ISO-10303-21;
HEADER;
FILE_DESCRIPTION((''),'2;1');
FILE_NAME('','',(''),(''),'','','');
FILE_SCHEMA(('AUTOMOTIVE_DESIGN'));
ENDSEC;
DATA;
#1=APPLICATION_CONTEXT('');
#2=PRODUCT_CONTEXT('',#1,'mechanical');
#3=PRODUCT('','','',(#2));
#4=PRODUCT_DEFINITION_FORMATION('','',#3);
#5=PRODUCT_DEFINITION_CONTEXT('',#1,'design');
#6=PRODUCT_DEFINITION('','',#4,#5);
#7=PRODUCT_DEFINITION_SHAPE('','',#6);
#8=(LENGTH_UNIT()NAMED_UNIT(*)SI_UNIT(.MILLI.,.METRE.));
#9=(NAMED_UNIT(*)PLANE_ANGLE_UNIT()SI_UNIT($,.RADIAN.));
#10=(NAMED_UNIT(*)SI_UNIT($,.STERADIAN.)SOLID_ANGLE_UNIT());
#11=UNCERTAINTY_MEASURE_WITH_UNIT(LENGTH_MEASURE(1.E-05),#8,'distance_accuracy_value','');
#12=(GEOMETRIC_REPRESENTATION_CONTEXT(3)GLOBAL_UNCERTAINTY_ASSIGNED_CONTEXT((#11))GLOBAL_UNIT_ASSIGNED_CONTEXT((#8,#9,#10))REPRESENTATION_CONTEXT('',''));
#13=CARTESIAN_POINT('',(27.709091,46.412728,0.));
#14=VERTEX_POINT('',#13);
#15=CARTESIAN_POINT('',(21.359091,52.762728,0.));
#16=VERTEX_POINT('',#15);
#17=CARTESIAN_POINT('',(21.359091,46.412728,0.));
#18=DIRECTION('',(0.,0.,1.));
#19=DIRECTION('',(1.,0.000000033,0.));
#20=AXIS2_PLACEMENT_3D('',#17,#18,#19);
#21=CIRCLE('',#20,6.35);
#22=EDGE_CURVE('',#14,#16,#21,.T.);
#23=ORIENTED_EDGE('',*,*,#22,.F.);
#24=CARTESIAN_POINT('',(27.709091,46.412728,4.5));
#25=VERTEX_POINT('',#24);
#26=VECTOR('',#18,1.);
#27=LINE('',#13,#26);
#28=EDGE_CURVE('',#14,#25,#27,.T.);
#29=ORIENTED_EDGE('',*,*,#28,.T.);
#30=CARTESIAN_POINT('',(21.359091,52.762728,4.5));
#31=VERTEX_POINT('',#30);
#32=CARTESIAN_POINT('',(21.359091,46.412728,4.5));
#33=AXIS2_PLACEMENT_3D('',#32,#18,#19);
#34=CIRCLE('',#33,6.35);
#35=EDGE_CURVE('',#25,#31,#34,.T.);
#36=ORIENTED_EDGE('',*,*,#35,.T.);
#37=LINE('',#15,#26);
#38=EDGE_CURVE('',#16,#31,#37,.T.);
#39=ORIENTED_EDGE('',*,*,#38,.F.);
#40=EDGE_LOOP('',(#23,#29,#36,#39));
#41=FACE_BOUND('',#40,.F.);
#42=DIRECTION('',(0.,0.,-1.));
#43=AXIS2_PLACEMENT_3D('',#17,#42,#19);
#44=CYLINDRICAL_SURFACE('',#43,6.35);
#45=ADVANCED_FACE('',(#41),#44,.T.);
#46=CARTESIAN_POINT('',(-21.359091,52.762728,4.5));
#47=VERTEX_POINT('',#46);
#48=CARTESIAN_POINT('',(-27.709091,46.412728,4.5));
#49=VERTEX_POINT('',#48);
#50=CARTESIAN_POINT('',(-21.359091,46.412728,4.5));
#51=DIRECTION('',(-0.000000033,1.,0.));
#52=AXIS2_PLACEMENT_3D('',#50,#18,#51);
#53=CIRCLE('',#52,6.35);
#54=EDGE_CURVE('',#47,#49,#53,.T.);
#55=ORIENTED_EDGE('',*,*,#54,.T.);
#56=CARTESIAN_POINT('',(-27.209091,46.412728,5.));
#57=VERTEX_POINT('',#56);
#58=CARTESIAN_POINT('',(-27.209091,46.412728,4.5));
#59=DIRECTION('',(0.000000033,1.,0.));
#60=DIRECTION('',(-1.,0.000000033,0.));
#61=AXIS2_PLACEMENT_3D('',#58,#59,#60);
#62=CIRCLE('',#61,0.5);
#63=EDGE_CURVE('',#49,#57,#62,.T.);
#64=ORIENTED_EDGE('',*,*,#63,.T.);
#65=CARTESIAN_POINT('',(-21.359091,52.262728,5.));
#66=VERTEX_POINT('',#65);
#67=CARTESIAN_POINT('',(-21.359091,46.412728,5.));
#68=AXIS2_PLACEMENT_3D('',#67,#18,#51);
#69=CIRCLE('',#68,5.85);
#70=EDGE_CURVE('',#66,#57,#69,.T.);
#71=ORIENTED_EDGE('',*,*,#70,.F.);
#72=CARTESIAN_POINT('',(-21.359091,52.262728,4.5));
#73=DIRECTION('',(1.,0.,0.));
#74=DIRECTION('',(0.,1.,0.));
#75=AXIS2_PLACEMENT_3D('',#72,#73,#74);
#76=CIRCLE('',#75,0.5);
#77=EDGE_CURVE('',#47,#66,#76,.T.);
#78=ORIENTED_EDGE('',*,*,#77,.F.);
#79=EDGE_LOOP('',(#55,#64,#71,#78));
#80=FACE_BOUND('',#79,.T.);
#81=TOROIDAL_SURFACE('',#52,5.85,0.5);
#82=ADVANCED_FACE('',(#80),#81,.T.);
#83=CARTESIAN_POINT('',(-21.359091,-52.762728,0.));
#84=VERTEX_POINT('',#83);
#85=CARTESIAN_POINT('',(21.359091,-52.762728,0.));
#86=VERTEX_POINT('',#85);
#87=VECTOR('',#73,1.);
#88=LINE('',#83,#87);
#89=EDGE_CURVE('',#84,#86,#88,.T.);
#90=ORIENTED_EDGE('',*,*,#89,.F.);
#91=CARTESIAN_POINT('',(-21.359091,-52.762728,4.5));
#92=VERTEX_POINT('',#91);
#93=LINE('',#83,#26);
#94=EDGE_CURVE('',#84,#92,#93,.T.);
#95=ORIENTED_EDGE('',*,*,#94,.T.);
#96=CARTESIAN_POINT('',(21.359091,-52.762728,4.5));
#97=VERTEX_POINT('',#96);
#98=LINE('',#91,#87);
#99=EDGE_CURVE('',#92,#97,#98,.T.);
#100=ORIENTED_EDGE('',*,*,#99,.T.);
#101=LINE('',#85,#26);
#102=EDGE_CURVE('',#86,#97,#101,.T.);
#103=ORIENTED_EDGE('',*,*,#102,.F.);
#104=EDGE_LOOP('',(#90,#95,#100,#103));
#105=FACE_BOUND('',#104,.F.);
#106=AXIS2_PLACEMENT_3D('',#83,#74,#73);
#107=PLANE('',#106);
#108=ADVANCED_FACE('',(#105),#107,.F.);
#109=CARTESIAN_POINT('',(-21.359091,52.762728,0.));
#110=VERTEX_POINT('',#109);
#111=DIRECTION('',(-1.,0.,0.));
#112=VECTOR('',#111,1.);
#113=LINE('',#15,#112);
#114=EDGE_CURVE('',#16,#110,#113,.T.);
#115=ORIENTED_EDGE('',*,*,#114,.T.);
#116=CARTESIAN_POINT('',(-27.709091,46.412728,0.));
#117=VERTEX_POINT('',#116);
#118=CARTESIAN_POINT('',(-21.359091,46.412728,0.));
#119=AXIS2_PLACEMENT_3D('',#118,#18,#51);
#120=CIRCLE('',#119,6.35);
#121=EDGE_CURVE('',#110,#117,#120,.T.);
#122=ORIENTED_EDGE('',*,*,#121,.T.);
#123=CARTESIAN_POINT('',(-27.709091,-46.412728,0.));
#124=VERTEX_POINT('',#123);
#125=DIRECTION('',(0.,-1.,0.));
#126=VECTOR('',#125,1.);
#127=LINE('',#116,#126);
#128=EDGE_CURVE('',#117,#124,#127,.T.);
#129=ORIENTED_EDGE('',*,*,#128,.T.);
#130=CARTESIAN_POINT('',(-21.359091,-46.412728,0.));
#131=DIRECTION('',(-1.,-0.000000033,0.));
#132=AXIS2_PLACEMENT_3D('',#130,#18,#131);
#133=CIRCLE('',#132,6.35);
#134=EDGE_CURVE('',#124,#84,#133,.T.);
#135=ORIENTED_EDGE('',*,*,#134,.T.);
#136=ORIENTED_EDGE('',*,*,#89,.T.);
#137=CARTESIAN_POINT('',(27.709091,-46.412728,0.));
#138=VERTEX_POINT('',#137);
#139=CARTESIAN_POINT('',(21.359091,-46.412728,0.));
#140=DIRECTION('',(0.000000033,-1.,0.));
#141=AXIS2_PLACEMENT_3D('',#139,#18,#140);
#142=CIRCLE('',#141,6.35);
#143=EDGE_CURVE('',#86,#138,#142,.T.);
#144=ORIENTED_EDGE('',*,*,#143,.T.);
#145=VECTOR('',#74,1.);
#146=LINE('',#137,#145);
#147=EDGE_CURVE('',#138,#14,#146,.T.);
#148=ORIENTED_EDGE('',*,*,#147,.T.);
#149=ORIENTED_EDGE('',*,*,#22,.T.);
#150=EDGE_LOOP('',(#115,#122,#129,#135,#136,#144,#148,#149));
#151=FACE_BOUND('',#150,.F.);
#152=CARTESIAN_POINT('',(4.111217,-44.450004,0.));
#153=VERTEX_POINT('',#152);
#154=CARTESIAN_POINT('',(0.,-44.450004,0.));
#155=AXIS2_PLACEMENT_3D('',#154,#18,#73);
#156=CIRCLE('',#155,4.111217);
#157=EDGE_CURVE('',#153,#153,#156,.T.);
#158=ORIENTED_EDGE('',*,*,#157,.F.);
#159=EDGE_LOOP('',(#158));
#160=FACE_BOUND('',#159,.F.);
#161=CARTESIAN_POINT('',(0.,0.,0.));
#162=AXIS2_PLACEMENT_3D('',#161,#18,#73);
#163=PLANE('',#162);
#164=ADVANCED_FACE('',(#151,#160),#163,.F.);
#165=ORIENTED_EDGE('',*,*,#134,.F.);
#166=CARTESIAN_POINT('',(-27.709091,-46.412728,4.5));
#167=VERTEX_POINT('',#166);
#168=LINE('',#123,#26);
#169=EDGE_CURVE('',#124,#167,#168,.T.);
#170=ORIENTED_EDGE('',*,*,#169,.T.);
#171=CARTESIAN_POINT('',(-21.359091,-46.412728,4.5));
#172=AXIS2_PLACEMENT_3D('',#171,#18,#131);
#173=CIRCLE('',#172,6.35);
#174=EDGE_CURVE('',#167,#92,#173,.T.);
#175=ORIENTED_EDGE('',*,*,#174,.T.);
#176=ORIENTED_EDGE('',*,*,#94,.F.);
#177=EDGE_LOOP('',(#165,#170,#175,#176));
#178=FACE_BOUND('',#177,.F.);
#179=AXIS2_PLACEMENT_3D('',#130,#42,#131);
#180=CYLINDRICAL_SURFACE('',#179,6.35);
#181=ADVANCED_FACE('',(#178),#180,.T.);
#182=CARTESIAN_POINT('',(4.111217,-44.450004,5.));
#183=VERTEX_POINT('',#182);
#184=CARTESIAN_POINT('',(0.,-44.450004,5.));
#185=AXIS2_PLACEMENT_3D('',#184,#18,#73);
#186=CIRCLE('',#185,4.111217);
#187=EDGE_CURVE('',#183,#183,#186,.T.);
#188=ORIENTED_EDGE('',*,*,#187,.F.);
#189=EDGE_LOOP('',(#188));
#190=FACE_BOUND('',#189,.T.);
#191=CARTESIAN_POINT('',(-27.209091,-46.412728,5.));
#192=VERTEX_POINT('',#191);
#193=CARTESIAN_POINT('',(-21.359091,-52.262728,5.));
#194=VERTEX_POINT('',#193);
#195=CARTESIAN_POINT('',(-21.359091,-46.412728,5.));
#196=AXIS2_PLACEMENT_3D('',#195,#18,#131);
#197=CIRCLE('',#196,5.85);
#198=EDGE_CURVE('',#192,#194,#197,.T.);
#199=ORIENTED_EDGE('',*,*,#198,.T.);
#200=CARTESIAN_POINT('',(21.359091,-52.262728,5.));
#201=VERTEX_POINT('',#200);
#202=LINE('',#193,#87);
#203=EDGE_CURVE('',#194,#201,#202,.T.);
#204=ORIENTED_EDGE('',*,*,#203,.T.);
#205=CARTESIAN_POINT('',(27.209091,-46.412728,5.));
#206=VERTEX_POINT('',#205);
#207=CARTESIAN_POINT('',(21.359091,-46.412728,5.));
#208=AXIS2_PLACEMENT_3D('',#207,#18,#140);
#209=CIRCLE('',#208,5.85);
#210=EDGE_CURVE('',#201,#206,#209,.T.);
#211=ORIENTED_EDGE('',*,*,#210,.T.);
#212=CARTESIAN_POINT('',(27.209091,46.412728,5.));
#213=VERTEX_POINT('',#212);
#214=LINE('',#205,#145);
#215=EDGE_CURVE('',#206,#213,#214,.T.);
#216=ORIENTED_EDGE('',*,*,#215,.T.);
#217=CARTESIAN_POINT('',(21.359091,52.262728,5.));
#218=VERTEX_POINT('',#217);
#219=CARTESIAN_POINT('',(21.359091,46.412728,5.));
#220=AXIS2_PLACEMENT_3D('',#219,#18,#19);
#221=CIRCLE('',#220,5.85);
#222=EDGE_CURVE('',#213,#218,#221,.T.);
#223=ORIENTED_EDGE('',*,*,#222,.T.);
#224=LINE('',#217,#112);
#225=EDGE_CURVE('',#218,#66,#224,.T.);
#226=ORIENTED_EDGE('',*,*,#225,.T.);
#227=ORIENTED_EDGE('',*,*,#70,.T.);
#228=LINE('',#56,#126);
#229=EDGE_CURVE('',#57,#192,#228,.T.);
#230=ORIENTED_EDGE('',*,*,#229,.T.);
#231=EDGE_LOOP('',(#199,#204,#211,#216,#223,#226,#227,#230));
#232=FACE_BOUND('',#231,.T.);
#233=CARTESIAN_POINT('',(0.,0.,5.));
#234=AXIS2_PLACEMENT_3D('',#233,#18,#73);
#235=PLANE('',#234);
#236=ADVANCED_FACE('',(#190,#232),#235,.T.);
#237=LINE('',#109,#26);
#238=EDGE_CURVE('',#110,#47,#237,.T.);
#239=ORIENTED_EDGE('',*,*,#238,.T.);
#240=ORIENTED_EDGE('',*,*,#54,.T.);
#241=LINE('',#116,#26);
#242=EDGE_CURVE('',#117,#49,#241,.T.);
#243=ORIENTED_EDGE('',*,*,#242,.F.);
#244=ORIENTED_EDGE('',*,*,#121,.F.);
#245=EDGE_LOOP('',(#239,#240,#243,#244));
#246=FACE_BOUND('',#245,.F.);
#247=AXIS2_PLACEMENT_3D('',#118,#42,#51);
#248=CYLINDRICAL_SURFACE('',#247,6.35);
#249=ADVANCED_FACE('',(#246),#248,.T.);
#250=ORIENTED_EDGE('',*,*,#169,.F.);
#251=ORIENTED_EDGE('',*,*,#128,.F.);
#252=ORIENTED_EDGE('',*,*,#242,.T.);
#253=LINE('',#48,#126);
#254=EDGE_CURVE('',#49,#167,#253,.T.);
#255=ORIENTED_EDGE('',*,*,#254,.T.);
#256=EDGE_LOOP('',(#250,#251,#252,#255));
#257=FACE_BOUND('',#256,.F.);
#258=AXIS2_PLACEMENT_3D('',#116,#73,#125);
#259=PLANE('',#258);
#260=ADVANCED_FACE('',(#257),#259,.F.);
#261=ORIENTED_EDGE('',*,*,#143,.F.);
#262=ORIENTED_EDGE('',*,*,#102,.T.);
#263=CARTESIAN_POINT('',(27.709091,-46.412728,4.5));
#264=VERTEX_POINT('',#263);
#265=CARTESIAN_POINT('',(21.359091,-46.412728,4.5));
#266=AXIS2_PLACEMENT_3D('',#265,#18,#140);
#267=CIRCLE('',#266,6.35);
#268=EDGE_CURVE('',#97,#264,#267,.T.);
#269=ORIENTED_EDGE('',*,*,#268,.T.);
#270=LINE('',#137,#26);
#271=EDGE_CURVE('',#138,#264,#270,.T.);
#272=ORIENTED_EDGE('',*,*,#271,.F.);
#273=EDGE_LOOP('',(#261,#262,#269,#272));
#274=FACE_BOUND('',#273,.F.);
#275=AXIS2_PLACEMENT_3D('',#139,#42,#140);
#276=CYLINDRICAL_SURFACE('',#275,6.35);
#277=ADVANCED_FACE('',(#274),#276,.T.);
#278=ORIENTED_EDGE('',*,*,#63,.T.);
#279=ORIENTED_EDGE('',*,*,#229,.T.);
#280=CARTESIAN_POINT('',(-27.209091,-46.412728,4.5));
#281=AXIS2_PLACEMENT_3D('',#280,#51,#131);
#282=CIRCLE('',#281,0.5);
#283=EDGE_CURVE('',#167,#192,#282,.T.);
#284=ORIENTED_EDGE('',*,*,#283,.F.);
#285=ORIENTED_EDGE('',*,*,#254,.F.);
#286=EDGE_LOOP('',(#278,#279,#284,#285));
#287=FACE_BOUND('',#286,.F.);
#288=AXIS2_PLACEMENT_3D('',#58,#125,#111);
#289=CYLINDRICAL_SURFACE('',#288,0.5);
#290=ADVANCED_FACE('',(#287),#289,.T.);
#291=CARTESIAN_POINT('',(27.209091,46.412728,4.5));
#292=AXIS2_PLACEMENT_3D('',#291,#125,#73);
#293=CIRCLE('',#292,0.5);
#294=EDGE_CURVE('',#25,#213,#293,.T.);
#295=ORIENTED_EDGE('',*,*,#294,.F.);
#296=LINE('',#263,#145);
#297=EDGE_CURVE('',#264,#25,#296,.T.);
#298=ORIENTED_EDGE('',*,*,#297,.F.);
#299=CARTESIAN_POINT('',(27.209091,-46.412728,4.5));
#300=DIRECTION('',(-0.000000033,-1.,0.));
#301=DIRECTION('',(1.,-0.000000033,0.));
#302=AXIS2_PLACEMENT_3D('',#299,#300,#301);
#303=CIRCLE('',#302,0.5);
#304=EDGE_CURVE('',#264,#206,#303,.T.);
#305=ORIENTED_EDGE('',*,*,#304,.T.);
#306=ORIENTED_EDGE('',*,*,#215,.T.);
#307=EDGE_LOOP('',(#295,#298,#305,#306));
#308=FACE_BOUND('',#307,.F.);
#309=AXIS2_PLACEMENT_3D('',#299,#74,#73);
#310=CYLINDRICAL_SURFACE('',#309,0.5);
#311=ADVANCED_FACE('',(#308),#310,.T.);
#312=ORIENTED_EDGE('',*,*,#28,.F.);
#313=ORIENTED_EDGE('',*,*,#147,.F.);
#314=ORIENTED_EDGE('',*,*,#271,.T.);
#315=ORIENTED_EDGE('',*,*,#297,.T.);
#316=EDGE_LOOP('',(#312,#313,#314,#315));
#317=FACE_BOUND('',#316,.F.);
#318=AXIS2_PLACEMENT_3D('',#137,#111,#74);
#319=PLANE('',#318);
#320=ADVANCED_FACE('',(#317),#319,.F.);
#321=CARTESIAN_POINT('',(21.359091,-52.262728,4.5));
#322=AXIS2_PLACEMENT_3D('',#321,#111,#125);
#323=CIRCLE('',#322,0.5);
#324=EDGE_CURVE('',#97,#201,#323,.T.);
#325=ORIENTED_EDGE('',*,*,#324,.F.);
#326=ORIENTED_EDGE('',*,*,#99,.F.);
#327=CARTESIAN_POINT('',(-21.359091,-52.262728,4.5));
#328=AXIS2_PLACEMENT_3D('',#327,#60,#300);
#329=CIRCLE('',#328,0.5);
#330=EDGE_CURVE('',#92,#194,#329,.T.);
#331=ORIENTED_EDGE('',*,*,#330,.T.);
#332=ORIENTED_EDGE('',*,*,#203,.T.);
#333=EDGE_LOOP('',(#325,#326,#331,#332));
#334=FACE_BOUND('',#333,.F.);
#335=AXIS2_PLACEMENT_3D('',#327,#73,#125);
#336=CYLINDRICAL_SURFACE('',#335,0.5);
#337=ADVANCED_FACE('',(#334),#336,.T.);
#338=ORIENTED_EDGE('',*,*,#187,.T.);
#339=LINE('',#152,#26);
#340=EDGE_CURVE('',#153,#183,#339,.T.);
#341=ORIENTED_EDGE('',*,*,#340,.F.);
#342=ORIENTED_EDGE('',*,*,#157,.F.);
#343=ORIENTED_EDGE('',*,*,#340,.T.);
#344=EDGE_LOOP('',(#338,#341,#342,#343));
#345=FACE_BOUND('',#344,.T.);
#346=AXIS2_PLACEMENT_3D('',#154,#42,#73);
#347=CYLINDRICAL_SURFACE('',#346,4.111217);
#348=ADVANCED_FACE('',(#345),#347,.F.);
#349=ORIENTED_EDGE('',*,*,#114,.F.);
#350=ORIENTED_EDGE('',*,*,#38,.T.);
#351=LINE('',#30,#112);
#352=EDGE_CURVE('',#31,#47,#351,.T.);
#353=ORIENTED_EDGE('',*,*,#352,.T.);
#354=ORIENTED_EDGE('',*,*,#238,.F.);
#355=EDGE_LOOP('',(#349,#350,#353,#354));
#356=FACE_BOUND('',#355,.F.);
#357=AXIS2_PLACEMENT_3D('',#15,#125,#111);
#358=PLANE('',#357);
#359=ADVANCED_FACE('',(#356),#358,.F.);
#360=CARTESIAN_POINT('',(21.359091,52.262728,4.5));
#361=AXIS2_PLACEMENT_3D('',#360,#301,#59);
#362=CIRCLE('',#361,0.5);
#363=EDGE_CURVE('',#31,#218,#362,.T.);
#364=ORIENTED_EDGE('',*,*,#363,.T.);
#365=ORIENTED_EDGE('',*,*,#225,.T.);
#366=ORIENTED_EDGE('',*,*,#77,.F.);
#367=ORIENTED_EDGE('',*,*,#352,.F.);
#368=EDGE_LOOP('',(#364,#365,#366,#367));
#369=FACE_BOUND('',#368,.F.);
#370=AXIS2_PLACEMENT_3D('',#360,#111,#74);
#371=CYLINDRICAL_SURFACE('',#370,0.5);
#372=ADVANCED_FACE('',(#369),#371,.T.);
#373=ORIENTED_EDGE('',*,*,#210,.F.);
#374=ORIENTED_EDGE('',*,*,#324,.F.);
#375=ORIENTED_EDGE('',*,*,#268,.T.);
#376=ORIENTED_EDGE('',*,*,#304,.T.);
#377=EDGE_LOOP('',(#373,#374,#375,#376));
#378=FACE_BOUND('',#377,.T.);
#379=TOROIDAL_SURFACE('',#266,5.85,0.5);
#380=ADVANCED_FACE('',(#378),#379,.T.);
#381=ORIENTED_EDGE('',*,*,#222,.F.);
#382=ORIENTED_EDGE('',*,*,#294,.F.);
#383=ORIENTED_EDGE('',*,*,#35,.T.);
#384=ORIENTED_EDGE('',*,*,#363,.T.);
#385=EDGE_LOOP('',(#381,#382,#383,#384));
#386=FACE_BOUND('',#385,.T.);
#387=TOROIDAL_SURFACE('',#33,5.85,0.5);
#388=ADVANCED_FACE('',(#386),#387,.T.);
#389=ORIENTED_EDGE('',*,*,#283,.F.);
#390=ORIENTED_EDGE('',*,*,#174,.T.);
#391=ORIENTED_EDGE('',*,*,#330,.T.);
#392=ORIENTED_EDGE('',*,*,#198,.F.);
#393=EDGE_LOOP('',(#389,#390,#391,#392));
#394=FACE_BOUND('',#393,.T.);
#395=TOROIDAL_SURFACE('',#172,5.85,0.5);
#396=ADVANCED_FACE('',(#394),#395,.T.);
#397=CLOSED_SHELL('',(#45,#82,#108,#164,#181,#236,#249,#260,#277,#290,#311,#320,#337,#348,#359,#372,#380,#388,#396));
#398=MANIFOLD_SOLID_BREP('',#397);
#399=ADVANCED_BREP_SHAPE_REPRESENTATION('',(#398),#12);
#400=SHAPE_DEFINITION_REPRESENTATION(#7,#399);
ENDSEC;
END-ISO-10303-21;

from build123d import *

# Parameters (mm, degrees)
F0_R     = 4.111217
F1_DEPTH = 5
F2_R     = 0.5


with BuildPart() as f1:
    # F0 (on Top) → F1 (new body)
    with BuildSketch(Plane.XY):
        with BuildLine():
            ThreePointArc((27.709091, 46.412728), (25.849219, 50.902856), (21.359091, 52.762728))
            Line((21.359091, 52.762728), (-21.359091, 52.762728))
            ThreePointArc((-21.359091, 52.762728), (-25.849219, 50.902856), (-27.709091, 46.412728))
            Line((-27.709091, 46.412728), (-27.709091, -46.412728))
            ThreePointArc((-27.709091, -46.412728), (-25.849219, -50.902856), (-21.359091, -52.762728))
            Line((-21.359091, -52.762728), (21.359091, -52.762728))
            ThreePointArc((21.359091, -52.762728), (25.849219, -50.902856), (27.709091, -46.412728))
            Line((27.709091, -46.412728), (27.709091, 46.412728))
        make_face()
        with Locations((0, -44.450004)):
            Circle(F0_R, mode=Mode.SUBTRACT)
    extrude(amount=F1_DEPTH)

    # F2
    f2_edges = [f1.edges().sort_by_distance(p)[0] for p in [
        (-25.849219, -50.902856, 5),
    ]]
    fillet(f2_edges, radius=F2_R)


solid = f1.part
